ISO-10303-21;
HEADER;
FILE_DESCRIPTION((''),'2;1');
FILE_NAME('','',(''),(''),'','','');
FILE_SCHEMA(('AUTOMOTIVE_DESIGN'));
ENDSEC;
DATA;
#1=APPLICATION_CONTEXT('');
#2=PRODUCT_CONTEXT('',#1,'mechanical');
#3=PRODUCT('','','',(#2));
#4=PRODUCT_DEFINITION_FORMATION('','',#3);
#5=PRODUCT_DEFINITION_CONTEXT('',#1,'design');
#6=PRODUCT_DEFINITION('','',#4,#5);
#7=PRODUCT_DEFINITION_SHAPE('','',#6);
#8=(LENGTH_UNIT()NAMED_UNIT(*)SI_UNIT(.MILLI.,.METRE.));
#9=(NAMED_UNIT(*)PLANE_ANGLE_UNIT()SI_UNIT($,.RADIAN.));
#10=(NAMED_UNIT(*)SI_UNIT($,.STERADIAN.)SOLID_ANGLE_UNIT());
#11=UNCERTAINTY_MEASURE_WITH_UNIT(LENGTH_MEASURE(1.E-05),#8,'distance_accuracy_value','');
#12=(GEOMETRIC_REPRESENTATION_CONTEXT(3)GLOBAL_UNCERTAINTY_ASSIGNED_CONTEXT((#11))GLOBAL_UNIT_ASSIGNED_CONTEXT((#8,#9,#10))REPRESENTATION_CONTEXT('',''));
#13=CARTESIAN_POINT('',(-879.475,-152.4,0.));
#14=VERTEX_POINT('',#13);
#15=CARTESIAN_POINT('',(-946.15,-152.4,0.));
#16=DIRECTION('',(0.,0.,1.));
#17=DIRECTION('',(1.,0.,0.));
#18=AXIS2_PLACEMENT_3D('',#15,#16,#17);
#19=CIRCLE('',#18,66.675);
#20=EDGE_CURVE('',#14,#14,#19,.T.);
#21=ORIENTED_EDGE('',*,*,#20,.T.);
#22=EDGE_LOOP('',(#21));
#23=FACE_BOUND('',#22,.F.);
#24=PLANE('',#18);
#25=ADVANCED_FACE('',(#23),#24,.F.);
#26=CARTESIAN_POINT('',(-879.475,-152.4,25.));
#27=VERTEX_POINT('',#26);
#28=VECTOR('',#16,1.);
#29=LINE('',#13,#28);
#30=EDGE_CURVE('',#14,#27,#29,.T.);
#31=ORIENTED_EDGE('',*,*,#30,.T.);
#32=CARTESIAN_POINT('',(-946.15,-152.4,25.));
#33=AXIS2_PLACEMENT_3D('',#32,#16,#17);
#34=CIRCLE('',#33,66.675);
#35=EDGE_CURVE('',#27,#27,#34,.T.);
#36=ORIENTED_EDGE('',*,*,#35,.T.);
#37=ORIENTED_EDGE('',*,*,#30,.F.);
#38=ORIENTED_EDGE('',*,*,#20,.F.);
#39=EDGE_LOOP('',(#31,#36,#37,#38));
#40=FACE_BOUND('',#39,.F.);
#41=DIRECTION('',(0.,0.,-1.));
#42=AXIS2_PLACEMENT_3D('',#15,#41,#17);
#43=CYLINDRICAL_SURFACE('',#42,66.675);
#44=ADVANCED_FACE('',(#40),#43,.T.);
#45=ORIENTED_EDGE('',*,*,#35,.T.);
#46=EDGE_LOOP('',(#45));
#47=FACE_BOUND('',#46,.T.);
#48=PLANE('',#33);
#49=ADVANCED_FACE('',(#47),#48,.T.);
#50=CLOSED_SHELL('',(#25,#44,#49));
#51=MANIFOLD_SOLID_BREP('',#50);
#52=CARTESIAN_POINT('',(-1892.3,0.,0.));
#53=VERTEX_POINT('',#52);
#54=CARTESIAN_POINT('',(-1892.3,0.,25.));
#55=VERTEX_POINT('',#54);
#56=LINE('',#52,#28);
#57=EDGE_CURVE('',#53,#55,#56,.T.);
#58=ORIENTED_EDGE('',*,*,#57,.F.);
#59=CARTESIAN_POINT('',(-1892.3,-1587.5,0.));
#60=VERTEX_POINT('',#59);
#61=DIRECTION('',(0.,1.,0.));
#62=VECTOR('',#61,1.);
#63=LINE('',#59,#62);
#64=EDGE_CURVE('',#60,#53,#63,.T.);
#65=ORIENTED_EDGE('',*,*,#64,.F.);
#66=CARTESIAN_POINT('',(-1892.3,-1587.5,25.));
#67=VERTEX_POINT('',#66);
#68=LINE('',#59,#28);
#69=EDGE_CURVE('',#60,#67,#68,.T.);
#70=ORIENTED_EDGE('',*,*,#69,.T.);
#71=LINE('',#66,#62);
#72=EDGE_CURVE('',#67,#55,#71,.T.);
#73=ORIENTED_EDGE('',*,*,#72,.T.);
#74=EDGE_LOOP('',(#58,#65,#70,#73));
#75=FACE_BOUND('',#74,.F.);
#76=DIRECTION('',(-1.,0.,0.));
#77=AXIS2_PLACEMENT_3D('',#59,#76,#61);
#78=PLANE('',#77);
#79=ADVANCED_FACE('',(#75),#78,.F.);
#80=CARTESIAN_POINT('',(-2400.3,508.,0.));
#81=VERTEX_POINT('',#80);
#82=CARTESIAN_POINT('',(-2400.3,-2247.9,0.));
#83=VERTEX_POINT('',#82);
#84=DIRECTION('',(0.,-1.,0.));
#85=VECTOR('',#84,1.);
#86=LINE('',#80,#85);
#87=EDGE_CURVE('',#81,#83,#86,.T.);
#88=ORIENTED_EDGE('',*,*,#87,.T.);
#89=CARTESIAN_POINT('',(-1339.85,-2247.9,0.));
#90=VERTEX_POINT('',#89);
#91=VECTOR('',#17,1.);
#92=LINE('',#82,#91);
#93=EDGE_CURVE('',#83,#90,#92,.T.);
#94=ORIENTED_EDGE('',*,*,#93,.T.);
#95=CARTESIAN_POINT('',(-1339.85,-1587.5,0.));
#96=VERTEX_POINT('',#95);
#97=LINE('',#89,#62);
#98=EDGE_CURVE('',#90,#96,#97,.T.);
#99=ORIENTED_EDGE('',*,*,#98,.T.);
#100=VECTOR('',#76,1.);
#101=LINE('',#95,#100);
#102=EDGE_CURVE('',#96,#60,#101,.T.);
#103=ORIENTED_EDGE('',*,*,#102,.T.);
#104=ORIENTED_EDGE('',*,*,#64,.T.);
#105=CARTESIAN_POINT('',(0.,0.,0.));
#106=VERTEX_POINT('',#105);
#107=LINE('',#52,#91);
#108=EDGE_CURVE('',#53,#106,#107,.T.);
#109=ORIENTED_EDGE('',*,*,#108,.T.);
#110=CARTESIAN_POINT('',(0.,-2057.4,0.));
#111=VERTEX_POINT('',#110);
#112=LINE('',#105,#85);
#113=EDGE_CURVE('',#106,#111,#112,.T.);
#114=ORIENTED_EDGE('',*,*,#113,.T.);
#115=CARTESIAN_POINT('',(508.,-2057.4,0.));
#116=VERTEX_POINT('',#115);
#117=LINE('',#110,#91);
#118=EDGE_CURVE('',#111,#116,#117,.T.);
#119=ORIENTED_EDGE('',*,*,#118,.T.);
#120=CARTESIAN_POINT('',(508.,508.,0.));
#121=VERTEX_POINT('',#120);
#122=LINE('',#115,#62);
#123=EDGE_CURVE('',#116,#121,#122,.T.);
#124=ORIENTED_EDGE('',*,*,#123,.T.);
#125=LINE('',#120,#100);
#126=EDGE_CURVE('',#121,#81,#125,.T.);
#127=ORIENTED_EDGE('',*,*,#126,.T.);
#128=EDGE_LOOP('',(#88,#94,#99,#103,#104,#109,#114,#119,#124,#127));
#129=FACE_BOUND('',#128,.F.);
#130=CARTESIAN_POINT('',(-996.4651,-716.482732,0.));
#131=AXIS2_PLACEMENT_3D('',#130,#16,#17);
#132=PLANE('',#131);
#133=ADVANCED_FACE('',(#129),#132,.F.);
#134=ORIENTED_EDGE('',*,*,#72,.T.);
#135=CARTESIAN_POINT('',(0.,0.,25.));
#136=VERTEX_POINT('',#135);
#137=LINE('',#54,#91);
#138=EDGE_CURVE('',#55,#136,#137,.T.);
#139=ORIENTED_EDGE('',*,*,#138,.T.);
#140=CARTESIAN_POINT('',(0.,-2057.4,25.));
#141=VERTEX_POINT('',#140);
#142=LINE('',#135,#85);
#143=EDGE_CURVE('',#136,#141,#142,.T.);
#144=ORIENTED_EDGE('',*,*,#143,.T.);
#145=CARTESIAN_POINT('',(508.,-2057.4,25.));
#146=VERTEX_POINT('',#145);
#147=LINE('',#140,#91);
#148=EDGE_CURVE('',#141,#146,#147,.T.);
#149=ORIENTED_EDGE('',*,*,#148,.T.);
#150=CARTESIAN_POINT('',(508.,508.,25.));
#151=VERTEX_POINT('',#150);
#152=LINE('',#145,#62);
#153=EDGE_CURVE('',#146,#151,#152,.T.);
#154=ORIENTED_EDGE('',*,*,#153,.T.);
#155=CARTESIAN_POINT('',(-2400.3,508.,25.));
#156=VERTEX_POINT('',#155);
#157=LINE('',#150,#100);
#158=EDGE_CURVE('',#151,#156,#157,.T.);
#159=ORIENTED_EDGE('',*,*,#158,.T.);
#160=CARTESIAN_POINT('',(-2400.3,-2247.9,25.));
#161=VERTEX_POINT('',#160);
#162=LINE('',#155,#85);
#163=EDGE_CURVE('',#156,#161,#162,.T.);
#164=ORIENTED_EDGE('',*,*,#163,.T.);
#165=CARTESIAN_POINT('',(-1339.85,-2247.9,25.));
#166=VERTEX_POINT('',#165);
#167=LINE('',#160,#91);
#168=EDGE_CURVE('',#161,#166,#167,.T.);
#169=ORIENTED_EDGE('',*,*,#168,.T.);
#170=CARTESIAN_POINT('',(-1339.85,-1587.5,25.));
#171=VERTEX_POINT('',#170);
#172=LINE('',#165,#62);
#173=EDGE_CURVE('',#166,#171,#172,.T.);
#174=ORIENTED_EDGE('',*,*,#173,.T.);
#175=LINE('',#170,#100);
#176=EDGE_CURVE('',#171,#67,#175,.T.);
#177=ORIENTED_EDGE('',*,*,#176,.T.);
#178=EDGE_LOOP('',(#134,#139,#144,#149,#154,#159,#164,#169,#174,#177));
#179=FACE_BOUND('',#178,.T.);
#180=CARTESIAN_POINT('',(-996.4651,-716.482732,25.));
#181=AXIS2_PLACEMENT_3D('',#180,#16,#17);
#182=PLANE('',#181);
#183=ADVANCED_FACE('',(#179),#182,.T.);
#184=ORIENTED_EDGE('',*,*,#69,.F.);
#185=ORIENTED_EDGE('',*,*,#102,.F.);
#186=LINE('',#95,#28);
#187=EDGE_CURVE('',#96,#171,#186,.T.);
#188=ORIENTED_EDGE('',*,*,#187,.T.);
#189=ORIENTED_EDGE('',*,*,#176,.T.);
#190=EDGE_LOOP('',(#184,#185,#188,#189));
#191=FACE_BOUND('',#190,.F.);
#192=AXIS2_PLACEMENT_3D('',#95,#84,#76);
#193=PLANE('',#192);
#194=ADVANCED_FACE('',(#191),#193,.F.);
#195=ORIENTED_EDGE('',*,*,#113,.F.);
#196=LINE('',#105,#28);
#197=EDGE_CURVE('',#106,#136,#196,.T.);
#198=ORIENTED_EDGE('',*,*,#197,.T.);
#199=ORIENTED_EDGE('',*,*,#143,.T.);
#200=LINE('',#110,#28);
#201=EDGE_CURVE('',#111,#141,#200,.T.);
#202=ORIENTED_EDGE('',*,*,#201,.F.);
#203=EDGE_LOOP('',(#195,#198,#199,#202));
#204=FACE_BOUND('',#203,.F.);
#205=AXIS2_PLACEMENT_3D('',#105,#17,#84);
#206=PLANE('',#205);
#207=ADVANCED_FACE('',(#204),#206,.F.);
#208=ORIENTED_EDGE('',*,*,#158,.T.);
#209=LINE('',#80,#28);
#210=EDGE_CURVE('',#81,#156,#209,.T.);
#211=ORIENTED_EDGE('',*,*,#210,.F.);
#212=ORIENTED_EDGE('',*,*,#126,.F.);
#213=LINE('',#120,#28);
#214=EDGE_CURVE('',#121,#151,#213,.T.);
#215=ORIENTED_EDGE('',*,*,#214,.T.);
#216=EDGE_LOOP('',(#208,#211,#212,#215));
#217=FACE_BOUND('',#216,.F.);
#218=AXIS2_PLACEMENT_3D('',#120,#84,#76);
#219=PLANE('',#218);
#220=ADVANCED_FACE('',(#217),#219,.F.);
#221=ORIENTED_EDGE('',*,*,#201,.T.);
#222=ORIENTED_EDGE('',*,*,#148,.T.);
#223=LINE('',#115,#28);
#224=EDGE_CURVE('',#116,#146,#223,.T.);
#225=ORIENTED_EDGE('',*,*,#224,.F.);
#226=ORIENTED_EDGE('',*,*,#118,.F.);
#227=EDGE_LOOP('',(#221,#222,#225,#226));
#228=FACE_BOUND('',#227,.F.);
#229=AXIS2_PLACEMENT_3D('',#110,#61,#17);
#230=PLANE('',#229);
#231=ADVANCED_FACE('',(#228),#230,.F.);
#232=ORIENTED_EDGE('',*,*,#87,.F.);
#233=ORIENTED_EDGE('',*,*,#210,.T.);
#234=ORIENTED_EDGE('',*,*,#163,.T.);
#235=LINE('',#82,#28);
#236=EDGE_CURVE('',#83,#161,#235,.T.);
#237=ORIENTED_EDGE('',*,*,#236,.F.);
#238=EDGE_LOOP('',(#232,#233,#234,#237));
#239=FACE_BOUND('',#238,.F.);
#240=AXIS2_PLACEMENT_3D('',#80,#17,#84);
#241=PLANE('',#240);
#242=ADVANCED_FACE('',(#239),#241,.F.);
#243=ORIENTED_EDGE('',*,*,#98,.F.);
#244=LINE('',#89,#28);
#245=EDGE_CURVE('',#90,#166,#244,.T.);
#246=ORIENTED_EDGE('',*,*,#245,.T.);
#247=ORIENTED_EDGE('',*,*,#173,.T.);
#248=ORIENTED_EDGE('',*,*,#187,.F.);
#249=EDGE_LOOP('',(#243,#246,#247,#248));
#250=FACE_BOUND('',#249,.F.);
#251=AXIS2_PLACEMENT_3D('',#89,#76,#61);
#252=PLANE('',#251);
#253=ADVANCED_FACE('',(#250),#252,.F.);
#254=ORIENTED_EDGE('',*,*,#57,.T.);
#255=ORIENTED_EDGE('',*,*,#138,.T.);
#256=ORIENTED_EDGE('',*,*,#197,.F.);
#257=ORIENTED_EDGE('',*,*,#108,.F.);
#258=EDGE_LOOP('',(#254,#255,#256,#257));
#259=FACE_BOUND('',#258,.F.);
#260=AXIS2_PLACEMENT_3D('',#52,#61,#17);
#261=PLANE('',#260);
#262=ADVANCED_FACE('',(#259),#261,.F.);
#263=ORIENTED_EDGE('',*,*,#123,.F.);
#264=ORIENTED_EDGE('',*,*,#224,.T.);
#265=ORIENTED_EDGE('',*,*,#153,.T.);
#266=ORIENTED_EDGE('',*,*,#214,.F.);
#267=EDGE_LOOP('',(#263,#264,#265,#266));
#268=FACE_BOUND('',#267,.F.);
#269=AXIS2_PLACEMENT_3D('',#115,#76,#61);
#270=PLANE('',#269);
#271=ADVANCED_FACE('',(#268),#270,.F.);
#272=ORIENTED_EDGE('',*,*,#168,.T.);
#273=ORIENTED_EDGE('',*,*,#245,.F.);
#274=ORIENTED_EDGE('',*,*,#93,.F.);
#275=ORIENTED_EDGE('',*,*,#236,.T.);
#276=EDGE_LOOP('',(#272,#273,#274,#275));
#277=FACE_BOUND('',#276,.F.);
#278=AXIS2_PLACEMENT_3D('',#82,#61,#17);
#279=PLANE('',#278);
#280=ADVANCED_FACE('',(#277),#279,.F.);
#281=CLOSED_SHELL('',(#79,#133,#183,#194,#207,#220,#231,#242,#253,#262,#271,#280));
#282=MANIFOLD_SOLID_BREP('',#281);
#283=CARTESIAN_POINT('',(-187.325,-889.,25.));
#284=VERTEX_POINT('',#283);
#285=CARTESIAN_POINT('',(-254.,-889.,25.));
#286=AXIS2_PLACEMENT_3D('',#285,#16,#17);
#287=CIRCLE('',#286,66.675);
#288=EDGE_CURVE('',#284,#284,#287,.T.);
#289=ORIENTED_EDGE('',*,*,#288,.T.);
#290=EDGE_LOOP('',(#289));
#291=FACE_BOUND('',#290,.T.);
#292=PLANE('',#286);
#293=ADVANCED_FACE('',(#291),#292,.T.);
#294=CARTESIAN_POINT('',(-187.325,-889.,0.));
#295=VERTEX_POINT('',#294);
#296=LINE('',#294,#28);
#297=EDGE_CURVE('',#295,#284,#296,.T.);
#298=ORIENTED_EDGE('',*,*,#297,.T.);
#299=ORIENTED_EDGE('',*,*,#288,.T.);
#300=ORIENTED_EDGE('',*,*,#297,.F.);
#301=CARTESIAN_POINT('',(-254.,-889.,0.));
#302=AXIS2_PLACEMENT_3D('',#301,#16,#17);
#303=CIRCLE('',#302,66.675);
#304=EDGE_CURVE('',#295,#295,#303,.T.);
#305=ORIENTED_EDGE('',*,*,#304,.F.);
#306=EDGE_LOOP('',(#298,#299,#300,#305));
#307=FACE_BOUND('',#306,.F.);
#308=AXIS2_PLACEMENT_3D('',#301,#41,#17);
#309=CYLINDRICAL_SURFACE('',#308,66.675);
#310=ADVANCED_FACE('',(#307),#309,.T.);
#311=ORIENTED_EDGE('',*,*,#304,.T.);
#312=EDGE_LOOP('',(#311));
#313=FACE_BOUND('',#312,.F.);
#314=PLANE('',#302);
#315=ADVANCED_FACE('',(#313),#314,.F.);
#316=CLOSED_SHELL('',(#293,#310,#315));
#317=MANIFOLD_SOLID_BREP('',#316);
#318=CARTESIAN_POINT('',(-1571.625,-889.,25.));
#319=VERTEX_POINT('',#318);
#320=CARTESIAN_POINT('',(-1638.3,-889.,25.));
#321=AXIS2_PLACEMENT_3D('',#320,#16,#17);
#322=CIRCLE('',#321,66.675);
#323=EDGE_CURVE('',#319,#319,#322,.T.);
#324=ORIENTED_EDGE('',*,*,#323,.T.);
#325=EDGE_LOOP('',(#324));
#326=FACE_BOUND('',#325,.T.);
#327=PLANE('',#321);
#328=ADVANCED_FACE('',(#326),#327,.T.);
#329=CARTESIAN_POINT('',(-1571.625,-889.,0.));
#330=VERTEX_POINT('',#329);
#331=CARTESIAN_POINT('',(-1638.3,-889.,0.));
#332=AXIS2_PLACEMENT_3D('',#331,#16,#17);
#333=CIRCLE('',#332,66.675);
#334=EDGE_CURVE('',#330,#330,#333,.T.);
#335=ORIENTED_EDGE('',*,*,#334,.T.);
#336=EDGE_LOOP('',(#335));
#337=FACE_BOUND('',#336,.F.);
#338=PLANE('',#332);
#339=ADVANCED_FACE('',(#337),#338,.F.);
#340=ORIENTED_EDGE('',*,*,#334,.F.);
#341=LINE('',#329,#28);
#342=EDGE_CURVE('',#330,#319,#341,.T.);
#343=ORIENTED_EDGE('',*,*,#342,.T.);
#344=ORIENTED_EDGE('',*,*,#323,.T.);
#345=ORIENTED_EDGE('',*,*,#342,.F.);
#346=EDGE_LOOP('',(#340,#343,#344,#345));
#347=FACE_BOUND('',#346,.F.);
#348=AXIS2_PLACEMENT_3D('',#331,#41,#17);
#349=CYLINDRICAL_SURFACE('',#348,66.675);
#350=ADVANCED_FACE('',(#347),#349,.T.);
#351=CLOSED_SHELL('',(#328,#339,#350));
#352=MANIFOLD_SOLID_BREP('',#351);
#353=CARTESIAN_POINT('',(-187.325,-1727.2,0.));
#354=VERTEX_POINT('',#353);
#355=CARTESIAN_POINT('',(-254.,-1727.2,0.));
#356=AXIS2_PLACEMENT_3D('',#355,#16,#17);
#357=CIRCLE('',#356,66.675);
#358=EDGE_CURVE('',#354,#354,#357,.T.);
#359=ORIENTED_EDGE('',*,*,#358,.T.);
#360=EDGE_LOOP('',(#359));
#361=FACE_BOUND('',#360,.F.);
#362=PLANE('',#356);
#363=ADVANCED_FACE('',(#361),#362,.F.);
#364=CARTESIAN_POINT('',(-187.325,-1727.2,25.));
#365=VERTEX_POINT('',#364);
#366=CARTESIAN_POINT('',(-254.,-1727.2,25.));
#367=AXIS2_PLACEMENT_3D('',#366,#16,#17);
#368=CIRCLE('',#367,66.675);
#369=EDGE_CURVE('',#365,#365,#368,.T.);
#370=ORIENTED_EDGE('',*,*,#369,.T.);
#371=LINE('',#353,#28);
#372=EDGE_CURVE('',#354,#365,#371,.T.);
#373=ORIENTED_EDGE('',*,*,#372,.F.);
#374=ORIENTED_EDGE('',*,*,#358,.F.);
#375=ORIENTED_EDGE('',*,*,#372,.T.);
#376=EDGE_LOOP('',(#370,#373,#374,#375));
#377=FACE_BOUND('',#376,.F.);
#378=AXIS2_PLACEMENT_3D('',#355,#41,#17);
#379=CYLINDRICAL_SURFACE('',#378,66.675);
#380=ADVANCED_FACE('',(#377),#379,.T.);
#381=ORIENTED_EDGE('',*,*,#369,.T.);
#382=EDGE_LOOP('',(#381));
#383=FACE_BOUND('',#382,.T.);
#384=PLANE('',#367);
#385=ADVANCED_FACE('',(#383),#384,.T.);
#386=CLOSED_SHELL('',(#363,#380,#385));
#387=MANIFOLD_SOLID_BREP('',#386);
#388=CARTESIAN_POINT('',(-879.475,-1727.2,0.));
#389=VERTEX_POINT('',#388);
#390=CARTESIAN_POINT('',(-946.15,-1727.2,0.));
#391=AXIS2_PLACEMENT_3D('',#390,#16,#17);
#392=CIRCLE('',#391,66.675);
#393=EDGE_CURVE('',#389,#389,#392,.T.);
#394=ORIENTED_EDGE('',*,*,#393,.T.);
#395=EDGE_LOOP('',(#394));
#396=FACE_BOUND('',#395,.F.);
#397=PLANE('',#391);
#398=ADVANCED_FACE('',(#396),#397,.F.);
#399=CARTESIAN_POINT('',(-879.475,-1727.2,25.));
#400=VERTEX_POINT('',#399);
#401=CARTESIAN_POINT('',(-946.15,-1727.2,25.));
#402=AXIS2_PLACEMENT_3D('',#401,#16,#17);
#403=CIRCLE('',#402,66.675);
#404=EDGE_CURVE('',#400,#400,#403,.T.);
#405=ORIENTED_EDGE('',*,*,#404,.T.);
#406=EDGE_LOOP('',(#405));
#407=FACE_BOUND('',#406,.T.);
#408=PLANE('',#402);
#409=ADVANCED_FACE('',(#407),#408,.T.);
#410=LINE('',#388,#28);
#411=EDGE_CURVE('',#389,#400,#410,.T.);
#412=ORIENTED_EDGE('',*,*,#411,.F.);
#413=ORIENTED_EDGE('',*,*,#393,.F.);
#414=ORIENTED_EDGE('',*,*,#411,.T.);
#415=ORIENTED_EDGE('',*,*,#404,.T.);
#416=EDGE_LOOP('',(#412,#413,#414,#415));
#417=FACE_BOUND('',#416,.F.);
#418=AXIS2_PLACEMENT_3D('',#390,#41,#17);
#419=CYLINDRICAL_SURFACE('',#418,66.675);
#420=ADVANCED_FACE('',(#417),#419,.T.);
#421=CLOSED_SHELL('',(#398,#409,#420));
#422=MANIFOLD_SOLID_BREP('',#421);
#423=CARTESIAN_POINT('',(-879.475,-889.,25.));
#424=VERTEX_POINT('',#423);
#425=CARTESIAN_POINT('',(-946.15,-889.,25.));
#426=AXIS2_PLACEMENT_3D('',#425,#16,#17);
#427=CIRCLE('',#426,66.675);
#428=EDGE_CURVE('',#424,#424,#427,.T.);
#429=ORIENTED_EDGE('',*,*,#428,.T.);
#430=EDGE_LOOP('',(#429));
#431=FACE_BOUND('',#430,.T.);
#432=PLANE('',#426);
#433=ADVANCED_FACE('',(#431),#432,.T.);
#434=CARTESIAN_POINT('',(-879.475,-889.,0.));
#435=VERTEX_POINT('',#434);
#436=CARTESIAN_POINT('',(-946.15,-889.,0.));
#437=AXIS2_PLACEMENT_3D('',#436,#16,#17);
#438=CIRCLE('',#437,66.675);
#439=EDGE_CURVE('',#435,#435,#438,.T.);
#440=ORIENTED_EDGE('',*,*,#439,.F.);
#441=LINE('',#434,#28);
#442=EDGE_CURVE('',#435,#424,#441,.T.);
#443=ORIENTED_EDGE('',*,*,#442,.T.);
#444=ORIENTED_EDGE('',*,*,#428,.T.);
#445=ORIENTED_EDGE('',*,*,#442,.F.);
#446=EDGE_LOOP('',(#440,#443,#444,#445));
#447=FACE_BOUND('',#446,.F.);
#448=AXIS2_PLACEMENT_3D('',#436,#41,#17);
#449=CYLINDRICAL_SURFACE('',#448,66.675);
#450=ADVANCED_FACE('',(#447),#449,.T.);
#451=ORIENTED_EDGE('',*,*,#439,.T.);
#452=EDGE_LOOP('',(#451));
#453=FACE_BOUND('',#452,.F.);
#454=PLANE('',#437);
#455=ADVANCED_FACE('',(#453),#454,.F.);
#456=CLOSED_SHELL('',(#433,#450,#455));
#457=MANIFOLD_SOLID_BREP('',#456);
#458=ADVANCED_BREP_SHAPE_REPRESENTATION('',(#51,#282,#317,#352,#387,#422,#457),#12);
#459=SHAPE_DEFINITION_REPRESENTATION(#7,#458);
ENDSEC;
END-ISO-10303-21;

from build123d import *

# Parameters (mm, degrees)
F0_R     = 66.675
F1_DEPTH = 25


with BuildPart() as f1:
    # F0 (on Top) → F1 (new body)
    with BuildSketch(Plane.XY):
        Polygon((-1892.3, 0), (0, 0), (0, -2057.4), (508, -2057.4), (508, 508), (-2400.3, 508), (-2400.3, -2247.9), (-1339.85, -2247.9), (-1339.85, -1587.5), (-1892.3, -1587.5), align=None)
        with Locations((-946.15, -152.4)):
            Circle(F0_R)
        with Locations((-1638.3, -889)):
            Circle(F0_R)
        with Locations((-254, -889)):
            Circle(F0_R)
        with Locations((-254, -1727.2)):
            Circle(F0_R)
        with Locations((-946.15, -1727.2)):
            Circle(F0_R)
        with Locations((-946.15, -889)):
            Circle(F0_R)
    extrude(amount=F1_DEPTH)


solid = f1.part
